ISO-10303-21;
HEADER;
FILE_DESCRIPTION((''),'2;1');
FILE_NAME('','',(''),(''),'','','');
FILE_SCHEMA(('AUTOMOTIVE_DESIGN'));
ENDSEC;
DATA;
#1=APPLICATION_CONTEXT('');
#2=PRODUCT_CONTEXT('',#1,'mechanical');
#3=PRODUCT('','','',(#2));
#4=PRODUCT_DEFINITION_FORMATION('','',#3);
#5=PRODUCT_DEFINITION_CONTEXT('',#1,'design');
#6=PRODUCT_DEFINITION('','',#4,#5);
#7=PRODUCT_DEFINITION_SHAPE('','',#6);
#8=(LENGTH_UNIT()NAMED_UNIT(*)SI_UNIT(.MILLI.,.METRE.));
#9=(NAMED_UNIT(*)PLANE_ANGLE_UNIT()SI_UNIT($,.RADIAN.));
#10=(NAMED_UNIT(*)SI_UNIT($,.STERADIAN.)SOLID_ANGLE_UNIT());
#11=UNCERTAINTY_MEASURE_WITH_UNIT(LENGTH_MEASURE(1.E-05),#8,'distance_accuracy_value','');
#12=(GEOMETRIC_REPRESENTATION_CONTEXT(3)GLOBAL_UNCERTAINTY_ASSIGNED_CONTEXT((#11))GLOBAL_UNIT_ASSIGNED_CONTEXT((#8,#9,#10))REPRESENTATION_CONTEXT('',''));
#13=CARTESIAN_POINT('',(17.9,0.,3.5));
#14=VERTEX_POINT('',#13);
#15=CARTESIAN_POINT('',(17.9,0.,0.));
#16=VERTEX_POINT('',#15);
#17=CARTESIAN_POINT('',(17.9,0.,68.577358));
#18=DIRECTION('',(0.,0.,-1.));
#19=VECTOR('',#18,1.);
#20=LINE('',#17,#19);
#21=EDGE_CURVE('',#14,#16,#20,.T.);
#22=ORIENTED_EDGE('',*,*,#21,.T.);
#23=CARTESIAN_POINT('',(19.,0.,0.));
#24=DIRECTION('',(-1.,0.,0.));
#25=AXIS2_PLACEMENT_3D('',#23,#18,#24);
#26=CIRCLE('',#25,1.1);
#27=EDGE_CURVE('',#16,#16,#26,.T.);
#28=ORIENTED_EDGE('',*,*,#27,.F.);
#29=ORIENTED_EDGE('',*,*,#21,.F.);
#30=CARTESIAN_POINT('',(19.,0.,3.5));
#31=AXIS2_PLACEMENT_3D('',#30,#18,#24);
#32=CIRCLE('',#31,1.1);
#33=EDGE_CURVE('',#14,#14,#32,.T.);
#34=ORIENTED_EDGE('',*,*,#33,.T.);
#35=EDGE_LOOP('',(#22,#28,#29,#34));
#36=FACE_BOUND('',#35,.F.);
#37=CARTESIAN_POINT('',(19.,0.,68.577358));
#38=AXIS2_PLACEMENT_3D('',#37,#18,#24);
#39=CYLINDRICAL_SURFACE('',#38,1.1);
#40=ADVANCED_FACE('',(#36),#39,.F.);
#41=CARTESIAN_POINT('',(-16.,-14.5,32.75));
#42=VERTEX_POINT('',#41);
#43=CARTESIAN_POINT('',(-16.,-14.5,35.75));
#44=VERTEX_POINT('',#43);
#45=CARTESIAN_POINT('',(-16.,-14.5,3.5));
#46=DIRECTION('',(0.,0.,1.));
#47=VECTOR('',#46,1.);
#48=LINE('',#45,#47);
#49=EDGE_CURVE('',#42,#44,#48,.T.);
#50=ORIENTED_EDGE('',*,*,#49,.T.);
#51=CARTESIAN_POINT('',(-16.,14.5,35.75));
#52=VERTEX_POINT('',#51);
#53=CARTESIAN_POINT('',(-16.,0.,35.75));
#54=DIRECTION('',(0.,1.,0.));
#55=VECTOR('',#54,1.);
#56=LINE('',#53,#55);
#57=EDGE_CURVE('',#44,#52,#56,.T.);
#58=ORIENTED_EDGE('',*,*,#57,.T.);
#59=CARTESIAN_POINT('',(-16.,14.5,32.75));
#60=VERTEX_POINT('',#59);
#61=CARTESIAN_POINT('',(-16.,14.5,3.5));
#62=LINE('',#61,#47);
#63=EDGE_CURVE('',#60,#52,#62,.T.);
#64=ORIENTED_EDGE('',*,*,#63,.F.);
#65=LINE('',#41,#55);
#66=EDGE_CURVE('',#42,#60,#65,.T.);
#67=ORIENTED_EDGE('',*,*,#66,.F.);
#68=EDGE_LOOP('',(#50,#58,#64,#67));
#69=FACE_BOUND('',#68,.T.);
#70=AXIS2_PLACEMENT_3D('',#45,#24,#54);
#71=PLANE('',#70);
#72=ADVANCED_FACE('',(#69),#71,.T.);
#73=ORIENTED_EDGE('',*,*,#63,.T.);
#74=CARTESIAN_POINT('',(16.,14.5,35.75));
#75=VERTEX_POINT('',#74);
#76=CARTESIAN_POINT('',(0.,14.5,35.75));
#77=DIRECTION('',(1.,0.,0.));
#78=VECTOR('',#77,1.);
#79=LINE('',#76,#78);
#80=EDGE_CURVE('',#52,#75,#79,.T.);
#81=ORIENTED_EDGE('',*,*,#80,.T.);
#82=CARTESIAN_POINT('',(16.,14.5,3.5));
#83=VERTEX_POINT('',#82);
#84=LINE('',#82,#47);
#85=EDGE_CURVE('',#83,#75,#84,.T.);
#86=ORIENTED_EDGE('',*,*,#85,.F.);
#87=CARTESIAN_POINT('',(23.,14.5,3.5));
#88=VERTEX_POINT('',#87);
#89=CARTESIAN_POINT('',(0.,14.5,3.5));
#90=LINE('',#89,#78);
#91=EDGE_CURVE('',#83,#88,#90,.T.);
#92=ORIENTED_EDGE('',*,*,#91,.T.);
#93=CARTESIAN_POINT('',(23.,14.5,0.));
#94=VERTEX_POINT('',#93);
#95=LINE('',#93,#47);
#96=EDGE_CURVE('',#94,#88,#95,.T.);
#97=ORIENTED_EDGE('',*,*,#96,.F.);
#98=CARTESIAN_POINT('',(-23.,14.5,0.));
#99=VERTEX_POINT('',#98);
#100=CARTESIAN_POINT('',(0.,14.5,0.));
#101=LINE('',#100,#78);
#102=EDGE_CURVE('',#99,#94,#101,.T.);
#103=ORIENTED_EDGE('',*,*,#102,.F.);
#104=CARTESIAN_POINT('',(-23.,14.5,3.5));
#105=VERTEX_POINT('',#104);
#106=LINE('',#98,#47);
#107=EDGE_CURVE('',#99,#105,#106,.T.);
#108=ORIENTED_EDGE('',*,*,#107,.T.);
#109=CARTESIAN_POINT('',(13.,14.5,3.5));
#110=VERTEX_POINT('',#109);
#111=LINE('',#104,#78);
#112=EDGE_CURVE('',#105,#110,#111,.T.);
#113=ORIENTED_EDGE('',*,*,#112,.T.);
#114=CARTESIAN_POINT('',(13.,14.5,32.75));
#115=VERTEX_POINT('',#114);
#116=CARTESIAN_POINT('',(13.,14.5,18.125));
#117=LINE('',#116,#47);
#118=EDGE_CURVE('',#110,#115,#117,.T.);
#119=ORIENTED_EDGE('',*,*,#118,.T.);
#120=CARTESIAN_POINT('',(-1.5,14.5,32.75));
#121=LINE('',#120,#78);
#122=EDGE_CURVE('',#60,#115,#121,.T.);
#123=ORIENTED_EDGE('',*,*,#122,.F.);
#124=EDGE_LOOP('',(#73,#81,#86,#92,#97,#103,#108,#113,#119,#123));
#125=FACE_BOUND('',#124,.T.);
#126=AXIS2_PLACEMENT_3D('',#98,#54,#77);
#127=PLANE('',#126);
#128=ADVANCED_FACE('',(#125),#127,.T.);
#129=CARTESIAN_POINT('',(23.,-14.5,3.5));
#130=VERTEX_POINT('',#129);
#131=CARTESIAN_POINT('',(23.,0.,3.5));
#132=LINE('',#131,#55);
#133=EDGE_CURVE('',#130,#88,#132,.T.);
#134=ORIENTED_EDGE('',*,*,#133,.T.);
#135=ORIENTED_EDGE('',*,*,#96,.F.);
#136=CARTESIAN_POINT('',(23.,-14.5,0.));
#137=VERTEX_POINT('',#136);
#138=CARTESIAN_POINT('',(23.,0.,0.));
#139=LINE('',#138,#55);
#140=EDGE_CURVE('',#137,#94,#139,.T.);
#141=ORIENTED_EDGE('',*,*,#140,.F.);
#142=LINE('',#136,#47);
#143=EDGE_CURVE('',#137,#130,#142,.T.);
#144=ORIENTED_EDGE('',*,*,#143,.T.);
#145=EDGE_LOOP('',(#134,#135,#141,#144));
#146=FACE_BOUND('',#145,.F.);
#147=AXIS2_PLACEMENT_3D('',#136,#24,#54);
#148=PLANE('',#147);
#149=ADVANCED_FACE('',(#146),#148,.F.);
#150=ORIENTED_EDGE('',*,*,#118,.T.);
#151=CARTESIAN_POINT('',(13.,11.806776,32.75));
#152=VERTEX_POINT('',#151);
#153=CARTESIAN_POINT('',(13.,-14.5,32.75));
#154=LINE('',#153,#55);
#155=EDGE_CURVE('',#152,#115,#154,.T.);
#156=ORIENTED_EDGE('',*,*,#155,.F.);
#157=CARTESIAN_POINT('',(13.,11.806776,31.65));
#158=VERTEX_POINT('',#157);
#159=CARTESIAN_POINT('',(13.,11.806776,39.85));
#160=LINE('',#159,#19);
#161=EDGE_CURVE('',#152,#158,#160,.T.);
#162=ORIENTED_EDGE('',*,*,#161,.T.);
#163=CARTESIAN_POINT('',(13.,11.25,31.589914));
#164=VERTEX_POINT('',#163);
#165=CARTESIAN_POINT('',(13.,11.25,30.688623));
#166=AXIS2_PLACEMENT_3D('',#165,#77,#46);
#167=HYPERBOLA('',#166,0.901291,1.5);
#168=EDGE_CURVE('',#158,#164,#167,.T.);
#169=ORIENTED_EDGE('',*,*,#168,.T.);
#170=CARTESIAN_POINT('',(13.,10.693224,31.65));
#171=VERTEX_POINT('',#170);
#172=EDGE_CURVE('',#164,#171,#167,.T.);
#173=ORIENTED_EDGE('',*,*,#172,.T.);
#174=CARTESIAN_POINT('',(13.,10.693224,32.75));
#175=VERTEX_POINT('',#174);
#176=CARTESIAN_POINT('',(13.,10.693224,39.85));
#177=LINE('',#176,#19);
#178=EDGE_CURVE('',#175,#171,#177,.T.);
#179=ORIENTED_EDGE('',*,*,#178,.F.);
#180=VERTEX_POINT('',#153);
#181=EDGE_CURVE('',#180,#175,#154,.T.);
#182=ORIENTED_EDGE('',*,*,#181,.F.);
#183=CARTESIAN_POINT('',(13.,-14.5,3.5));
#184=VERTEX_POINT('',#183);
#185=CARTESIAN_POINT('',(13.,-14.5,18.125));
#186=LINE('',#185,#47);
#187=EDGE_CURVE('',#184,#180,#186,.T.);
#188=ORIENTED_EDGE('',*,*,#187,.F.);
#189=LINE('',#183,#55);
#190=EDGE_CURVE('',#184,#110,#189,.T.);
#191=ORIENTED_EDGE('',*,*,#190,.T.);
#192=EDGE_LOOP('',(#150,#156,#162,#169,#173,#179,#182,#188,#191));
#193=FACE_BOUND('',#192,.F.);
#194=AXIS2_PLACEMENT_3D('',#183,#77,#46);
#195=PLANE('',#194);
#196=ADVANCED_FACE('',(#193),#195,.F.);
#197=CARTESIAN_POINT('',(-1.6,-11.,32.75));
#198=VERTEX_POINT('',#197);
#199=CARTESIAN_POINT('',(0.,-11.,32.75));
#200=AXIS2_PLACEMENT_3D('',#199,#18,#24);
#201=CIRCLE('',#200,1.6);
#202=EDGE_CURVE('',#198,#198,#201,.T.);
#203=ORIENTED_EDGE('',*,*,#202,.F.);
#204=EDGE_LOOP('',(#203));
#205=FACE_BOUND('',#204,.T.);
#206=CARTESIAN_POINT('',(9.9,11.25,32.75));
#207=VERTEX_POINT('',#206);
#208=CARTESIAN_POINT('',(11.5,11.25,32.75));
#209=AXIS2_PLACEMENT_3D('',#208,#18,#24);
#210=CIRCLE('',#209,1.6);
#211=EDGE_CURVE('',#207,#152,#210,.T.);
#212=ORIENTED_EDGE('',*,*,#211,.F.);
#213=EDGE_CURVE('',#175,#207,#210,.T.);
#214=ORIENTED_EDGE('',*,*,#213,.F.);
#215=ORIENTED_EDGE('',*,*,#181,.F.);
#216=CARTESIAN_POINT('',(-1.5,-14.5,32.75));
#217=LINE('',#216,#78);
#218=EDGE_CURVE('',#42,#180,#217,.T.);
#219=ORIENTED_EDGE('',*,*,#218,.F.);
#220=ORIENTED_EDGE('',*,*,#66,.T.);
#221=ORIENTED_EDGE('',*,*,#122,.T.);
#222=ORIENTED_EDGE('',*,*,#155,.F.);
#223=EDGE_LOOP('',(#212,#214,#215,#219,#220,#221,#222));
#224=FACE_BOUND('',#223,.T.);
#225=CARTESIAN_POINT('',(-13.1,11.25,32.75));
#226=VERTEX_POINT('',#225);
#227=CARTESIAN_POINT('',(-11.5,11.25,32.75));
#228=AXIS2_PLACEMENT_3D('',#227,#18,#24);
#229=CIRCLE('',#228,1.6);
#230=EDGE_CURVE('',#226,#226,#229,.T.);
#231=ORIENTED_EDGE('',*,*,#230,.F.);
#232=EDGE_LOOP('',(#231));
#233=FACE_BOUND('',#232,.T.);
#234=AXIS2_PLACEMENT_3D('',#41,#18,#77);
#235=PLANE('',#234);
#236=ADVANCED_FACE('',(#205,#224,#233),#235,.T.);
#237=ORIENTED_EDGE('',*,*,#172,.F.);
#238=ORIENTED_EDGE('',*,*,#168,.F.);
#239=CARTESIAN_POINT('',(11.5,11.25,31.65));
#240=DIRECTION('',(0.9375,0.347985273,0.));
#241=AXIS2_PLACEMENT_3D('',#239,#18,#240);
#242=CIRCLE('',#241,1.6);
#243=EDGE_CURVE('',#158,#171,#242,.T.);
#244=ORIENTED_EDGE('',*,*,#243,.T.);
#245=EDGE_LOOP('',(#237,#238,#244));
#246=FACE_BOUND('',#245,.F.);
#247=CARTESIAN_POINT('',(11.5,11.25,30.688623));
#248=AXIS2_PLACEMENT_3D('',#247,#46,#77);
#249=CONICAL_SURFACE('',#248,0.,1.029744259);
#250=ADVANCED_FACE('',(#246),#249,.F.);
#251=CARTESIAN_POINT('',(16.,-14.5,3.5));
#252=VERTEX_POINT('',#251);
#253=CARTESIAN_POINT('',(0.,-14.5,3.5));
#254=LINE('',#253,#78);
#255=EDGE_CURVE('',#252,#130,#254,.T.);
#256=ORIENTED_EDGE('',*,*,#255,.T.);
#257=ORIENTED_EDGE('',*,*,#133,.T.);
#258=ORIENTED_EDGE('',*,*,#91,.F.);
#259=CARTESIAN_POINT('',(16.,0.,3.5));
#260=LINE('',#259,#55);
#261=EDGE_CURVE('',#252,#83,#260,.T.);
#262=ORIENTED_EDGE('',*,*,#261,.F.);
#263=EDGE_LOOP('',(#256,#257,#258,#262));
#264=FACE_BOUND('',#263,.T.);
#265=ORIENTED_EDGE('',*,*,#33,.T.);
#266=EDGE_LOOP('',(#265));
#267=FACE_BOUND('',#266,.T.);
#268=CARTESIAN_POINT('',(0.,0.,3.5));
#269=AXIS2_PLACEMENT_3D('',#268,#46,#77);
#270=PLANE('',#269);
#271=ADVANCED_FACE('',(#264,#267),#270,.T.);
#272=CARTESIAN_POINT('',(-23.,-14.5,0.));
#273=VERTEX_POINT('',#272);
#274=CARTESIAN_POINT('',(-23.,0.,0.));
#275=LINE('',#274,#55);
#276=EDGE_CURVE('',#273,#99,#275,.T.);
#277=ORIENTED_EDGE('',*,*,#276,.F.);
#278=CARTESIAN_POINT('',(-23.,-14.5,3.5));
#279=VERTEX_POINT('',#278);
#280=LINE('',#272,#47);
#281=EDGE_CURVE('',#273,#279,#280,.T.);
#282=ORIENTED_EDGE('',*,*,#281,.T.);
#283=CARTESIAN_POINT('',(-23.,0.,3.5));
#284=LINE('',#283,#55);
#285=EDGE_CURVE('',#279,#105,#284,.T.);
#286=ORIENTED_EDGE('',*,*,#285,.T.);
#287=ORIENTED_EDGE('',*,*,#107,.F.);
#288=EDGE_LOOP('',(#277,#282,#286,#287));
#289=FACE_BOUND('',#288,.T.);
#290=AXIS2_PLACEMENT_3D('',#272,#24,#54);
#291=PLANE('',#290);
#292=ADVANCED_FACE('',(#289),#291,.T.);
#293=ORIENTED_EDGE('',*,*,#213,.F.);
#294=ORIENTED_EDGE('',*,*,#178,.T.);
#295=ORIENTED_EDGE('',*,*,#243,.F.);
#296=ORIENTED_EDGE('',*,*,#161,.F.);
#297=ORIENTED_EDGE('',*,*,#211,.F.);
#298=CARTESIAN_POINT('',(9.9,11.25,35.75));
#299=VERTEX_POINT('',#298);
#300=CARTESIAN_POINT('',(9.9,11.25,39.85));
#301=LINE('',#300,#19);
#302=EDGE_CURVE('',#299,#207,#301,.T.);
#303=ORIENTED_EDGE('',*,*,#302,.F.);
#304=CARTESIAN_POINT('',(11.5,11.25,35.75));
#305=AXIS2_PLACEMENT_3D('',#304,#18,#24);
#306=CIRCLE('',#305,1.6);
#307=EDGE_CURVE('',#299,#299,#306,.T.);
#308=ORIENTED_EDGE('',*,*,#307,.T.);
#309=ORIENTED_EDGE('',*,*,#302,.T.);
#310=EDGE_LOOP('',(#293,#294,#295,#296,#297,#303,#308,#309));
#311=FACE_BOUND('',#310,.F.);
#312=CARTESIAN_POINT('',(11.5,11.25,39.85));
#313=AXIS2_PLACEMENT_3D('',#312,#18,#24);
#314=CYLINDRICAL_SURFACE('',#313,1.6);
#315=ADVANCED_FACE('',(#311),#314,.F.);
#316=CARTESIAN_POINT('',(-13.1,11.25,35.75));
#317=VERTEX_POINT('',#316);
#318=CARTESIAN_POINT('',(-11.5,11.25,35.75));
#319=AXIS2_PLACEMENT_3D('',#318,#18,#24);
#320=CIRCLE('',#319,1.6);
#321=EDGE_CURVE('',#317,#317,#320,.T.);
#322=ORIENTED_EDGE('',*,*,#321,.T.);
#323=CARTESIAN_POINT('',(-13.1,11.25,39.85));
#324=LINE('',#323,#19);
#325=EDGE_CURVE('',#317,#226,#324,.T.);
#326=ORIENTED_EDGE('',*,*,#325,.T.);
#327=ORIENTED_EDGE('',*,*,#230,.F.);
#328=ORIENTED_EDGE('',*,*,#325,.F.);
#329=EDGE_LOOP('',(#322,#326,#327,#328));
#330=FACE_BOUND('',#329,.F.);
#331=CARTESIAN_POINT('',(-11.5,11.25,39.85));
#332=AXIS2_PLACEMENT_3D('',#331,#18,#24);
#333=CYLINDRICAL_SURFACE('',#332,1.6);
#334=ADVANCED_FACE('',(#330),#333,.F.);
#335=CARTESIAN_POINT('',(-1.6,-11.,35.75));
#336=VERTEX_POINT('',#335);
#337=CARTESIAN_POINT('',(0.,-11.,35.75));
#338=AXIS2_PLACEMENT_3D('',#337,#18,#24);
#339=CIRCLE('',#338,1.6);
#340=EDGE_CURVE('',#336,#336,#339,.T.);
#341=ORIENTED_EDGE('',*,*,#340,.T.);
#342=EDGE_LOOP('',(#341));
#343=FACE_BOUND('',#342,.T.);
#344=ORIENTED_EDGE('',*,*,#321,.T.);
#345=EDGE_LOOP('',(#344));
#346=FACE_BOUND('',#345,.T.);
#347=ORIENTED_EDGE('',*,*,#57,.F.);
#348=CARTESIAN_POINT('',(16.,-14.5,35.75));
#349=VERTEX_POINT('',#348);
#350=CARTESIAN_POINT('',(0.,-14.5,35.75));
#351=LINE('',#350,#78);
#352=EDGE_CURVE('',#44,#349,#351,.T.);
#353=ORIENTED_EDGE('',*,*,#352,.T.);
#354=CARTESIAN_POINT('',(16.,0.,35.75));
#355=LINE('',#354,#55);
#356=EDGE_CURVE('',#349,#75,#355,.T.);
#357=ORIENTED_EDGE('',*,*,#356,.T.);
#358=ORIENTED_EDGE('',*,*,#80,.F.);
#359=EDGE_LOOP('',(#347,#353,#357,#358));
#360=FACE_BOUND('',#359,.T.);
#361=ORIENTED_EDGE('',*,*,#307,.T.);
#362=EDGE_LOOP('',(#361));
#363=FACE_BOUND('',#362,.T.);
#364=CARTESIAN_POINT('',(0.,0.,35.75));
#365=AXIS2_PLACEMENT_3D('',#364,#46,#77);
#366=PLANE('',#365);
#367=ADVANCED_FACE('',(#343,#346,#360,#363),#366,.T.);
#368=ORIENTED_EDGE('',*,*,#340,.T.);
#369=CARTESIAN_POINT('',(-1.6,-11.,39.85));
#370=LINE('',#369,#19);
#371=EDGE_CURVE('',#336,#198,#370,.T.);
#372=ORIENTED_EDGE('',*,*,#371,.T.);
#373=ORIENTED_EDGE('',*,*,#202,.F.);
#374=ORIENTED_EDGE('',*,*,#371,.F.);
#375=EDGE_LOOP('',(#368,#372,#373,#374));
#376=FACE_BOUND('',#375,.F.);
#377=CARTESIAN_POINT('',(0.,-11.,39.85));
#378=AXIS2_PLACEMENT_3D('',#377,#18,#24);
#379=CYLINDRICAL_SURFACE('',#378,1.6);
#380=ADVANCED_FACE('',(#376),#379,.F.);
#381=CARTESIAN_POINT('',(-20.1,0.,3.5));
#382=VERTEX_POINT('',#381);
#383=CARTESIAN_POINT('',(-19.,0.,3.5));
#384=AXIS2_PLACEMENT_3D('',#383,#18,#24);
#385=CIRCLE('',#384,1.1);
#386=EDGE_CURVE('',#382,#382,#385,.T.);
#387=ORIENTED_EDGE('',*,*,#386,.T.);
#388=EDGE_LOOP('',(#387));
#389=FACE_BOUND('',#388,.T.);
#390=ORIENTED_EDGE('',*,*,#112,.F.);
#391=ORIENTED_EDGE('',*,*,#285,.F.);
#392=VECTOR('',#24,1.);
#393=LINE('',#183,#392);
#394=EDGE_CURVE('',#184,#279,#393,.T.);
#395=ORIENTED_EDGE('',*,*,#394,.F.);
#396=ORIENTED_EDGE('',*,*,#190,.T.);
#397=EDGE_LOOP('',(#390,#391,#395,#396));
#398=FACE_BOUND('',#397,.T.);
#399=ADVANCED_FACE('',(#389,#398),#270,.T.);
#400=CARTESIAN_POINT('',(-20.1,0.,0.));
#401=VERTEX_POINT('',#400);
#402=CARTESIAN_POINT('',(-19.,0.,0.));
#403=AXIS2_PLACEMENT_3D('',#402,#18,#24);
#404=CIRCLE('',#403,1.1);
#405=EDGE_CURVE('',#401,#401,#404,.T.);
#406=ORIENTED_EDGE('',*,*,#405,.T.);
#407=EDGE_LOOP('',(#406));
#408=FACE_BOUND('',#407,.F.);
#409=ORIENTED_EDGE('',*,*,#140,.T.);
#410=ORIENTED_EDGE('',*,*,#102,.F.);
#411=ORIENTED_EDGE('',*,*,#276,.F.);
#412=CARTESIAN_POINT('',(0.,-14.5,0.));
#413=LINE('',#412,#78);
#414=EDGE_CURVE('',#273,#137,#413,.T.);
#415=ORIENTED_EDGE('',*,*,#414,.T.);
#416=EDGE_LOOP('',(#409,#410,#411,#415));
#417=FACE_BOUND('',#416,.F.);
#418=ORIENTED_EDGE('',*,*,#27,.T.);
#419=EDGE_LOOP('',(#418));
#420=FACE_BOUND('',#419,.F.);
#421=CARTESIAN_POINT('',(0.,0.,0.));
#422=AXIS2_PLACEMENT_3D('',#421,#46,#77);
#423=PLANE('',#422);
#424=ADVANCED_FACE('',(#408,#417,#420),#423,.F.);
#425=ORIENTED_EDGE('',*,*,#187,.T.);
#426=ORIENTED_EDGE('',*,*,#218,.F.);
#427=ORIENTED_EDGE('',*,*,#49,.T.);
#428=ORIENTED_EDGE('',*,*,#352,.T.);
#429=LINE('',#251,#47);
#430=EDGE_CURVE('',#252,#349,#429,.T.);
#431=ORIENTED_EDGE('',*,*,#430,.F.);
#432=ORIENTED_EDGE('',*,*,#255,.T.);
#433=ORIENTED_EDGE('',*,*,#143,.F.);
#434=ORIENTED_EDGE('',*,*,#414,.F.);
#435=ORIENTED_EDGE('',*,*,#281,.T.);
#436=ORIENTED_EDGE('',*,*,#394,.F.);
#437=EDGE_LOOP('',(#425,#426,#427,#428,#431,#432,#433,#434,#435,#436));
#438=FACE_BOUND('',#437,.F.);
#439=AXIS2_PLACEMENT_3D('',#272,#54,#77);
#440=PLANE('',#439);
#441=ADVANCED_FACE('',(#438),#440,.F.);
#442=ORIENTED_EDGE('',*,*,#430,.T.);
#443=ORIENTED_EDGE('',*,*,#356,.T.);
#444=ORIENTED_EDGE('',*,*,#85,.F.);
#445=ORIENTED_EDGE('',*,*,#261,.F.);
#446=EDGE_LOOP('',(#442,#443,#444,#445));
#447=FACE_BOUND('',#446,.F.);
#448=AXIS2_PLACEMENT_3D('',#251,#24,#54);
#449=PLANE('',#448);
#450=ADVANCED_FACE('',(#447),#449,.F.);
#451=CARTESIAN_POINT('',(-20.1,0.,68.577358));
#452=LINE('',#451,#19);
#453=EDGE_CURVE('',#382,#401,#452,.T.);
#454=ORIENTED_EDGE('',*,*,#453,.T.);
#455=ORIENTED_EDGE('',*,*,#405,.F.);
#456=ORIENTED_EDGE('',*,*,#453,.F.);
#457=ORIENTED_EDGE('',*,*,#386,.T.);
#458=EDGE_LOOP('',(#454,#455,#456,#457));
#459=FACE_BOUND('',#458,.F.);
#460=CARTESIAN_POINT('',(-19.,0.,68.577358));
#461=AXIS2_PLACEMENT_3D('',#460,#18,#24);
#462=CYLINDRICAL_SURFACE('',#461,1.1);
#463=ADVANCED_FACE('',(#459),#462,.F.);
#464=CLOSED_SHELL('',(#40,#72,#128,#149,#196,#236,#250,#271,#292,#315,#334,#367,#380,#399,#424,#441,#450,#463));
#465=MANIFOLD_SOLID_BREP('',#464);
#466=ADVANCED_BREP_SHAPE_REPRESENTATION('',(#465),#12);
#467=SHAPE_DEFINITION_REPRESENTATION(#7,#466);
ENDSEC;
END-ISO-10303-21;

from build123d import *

# Parameters (mm, degrees)
F0_W     = 46
F0_H     = 29
F1_DEPTH = 3.5
F2_W     = 32
F2_H     = 29
F3_DEPTH = 32.25
F4_W     = 29
F4_H     = 29.25
F5_DEPTH = 29
F7_D     = 3.2
F7_DEPTH = 4.1
F7_TIP   = 0.9613769904
F9_D     = 2.2


with BuildPart() as f1:
    # F0 (on Top) → F1 (new body)
    with BuildSketch(Plane.XY):
        Rectangle(F0_W, F0_H)
    extrude(amount=F1_DEPTH)

    # F2 (on face) → F3 (join)
    with BuildSketch(Plane.XY.offset(3.5)):
        Rectangle(F2_W, F2_H)
    extrude(amount=F3_DEPTH)

    # F4 (on face) → F5 (cut)
    with BuildSketch(Plane.XZ.offset(14.5)):
        with Locations((-1.5, 18.125)):
            Rectangle(F4_W, F4_H)
    extrude(amount=-F5_DEPTH, mode=Mode.SUBTRACT)

    # F7
    with Locations(Plane.XY.offset(35.75)):
        with Locations((-11.5, 11.25), (11.5, 11.25), (0, -11)):
            Hole(F7_D / 2, depth=F7_DEPTH)
            with Locations((0, 0, -(F7_DEPTH + F7_TIP / 2))):  # 118° drill point
                Cone(0, F7_D / 2, F7_TIP, mode=Mode.SUBTRACT)

    # F9 (through all)
    with Locations(Plane.XY.offset(3.5)):
        with Locations((-19, 0), (19, 0)):
            Hole(F9_D / 2)


solid = f1.part
